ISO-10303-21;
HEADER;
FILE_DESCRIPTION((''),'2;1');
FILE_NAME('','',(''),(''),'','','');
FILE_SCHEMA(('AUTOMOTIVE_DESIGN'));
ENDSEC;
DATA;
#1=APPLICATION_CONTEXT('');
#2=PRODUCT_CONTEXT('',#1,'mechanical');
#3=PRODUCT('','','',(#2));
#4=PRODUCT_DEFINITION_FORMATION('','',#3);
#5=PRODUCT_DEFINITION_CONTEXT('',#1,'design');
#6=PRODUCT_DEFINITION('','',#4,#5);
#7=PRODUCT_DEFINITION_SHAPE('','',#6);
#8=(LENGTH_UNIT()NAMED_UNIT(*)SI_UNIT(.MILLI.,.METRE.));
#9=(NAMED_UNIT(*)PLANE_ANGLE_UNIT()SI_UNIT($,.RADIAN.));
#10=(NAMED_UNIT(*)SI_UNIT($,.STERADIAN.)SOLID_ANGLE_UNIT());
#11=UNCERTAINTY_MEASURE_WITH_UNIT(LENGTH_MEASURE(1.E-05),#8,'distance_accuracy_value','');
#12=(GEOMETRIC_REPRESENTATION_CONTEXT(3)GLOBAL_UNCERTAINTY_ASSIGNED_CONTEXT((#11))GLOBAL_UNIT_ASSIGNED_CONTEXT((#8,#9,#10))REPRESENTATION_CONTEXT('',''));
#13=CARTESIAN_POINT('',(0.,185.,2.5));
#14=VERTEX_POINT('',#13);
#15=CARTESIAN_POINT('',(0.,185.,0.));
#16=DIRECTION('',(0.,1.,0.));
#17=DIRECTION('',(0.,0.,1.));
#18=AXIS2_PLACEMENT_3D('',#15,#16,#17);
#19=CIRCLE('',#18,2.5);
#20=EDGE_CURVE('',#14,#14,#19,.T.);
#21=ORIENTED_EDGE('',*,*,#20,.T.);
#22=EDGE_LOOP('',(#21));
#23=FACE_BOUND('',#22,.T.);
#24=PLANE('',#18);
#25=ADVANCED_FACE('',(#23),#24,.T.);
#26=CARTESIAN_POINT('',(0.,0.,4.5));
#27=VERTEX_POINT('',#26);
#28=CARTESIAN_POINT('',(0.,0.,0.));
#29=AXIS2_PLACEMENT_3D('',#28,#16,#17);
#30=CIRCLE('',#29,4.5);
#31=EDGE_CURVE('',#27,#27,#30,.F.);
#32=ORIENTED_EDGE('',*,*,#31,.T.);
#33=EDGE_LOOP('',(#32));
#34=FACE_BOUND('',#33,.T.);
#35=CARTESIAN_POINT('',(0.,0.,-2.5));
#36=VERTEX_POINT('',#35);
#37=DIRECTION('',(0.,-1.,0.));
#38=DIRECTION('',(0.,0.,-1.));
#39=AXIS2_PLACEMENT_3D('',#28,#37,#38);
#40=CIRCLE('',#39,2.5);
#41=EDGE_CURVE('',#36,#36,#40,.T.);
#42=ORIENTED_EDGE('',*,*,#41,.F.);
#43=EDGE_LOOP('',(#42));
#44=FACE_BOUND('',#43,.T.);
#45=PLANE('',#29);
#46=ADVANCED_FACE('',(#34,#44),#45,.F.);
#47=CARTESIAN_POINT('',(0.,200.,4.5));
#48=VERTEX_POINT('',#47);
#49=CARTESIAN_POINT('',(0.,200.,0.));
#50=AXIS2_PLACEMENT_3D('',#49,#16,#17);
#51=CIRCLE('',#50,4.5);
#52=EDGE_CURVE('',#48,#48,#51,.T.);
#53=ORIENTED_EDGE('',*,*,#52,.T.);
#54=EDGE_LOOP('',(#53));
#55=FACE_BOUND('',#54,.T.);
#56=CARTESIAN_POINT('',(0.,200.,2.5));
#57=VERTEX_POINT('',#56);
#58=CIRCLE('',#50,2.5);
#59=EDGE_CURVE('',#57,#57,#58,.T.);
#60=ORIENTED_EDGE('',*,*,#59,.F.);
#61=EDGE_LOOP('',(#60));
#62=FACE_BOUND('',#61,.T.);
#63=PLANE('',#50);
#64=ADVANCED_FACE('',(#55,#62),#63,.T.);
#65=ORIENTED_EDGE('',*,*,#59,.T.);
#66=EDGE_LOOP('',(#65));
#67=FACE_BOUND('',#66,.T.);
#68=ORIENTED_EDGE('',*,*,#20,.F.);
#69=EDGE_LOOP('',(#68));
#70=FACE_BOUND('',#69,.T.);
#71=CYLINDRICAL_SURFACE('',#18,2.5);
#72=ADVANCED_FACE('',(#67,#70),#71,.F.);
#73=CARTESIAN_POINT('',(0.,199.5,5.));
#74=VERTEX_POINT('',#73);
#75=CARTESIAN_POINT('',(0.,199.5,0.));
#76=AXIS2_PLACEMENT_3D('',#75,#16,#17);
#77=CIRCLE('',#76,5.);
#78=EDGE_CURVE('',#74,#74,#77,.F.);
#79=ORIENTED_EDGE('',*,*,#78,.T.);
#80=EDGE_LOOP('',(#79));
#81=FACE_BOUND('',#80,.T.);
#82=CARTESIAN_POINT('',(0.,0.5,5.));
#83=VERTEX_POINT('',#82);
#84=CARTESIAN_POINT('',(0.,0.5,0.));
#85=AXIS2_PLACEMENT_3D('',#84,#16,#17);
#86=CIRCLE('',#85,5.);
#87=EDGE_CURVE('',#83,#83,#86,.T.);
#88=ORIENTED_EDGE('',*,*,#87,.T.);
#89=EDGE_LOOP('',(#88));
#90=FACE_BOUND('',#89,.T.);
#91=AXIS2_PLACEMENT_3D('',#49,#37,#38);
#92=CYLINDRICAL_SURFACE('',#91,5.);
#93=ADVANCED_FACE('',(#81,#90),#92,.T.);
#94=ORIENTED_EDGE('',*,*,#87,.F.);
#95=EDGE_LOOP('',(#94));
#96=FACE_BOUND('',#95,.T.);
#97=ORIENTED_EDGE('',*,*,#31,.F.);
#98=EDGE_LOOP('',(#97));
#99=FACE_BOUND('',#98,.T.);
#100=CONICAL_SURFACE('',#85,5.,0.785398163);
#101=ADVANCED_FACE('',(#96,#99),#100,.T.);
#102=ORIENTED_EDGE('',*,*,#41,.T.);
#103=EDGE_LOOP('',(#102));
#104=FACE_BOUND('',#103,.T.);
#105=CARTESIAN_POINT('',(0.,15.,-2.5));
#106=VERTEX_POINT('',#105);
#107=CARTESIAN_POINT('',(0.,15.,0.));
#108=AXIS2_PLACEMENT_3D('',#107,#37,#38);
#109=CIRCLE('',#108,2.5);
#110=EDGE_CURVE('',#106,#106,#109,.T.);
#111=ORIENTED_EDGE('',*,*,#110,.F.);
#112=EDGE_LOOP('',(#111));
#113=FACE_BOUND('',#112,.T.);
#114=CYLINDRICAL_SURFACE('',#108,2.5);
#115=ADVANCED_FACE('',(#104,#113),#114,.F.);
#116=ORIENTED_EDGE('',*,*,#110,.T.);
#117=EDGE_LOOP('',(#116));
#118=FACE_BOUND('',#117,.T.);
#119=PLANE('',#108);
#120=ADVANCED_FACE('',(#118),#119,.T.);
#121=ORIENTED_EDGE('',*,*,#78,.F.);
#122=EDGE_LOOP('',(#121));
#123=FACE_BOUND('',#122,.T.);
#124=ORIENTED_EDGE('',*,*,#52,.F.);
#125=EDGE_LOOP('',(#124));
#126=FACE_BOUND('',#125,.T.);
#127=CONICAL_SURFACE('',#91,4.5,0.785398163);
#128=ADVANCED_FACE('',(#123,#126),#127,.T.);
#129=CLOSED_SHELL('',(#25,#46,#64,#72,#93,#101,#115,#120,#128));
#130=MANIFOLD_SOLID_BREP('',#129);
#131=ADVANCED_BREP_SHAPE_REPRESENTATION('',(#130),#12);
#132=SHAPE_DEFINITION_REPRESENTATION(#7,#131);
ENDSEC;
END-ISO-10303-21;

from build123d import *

# Parameters (mm, degrees)
ESQUISSE1_R      = 5
EXTRUSION1_DEPTH = 200
CHANFREIN1_SIZE  = 0.5
ESQUISSE2_R      = 2.5
EXTRUSION2_DEPTH = 15
ESQUISSE3_R      = 2.5
EXTRUSION3_DEPTH = 15


with BuildPart() as part:
    # Esquisse1 → Extrusion1 (new body)
    with BuildSketch(Plane(origin=(0, 0, 0), x_dir=(1, 0, 0), z_dir=(0, 1, 0))):
        Circle(ESQUISSE1_R)
    extrude(amount=EXTRUSION1_DEPTH)

    # Chanfrein1
    chanfrein1_edges = [part.edges().sort_by_distance(p)[0] for p in [
        (-5, 0, 0),
        (-5, 200, 0),
    ]]
    chamfer(chanfrein1_edges, length=CHANFREIN1_SIZE)

    # Esquisse2 → Extrusion2 (cut)
    with BuildSketch(Plane.XZ):
        Circle(ESQUISSE2_R)
    extrude(amount=-EXTRUSION2_DEPTH, mode=Mode.SUBTRACT)

    # Esquisse3 → Extrusion3 (cut)
    with BuildSketch(Plane(origin=(0, 200, 0), x_dir=(1, 0, 0), z_dir=(0, 1, 0))):
        Circle(ESQUISSE3_R)
    extrude(amount=-EXTRUSION3_DEPTH, mode=Mode.SUBTRACT)


solid = part.part
